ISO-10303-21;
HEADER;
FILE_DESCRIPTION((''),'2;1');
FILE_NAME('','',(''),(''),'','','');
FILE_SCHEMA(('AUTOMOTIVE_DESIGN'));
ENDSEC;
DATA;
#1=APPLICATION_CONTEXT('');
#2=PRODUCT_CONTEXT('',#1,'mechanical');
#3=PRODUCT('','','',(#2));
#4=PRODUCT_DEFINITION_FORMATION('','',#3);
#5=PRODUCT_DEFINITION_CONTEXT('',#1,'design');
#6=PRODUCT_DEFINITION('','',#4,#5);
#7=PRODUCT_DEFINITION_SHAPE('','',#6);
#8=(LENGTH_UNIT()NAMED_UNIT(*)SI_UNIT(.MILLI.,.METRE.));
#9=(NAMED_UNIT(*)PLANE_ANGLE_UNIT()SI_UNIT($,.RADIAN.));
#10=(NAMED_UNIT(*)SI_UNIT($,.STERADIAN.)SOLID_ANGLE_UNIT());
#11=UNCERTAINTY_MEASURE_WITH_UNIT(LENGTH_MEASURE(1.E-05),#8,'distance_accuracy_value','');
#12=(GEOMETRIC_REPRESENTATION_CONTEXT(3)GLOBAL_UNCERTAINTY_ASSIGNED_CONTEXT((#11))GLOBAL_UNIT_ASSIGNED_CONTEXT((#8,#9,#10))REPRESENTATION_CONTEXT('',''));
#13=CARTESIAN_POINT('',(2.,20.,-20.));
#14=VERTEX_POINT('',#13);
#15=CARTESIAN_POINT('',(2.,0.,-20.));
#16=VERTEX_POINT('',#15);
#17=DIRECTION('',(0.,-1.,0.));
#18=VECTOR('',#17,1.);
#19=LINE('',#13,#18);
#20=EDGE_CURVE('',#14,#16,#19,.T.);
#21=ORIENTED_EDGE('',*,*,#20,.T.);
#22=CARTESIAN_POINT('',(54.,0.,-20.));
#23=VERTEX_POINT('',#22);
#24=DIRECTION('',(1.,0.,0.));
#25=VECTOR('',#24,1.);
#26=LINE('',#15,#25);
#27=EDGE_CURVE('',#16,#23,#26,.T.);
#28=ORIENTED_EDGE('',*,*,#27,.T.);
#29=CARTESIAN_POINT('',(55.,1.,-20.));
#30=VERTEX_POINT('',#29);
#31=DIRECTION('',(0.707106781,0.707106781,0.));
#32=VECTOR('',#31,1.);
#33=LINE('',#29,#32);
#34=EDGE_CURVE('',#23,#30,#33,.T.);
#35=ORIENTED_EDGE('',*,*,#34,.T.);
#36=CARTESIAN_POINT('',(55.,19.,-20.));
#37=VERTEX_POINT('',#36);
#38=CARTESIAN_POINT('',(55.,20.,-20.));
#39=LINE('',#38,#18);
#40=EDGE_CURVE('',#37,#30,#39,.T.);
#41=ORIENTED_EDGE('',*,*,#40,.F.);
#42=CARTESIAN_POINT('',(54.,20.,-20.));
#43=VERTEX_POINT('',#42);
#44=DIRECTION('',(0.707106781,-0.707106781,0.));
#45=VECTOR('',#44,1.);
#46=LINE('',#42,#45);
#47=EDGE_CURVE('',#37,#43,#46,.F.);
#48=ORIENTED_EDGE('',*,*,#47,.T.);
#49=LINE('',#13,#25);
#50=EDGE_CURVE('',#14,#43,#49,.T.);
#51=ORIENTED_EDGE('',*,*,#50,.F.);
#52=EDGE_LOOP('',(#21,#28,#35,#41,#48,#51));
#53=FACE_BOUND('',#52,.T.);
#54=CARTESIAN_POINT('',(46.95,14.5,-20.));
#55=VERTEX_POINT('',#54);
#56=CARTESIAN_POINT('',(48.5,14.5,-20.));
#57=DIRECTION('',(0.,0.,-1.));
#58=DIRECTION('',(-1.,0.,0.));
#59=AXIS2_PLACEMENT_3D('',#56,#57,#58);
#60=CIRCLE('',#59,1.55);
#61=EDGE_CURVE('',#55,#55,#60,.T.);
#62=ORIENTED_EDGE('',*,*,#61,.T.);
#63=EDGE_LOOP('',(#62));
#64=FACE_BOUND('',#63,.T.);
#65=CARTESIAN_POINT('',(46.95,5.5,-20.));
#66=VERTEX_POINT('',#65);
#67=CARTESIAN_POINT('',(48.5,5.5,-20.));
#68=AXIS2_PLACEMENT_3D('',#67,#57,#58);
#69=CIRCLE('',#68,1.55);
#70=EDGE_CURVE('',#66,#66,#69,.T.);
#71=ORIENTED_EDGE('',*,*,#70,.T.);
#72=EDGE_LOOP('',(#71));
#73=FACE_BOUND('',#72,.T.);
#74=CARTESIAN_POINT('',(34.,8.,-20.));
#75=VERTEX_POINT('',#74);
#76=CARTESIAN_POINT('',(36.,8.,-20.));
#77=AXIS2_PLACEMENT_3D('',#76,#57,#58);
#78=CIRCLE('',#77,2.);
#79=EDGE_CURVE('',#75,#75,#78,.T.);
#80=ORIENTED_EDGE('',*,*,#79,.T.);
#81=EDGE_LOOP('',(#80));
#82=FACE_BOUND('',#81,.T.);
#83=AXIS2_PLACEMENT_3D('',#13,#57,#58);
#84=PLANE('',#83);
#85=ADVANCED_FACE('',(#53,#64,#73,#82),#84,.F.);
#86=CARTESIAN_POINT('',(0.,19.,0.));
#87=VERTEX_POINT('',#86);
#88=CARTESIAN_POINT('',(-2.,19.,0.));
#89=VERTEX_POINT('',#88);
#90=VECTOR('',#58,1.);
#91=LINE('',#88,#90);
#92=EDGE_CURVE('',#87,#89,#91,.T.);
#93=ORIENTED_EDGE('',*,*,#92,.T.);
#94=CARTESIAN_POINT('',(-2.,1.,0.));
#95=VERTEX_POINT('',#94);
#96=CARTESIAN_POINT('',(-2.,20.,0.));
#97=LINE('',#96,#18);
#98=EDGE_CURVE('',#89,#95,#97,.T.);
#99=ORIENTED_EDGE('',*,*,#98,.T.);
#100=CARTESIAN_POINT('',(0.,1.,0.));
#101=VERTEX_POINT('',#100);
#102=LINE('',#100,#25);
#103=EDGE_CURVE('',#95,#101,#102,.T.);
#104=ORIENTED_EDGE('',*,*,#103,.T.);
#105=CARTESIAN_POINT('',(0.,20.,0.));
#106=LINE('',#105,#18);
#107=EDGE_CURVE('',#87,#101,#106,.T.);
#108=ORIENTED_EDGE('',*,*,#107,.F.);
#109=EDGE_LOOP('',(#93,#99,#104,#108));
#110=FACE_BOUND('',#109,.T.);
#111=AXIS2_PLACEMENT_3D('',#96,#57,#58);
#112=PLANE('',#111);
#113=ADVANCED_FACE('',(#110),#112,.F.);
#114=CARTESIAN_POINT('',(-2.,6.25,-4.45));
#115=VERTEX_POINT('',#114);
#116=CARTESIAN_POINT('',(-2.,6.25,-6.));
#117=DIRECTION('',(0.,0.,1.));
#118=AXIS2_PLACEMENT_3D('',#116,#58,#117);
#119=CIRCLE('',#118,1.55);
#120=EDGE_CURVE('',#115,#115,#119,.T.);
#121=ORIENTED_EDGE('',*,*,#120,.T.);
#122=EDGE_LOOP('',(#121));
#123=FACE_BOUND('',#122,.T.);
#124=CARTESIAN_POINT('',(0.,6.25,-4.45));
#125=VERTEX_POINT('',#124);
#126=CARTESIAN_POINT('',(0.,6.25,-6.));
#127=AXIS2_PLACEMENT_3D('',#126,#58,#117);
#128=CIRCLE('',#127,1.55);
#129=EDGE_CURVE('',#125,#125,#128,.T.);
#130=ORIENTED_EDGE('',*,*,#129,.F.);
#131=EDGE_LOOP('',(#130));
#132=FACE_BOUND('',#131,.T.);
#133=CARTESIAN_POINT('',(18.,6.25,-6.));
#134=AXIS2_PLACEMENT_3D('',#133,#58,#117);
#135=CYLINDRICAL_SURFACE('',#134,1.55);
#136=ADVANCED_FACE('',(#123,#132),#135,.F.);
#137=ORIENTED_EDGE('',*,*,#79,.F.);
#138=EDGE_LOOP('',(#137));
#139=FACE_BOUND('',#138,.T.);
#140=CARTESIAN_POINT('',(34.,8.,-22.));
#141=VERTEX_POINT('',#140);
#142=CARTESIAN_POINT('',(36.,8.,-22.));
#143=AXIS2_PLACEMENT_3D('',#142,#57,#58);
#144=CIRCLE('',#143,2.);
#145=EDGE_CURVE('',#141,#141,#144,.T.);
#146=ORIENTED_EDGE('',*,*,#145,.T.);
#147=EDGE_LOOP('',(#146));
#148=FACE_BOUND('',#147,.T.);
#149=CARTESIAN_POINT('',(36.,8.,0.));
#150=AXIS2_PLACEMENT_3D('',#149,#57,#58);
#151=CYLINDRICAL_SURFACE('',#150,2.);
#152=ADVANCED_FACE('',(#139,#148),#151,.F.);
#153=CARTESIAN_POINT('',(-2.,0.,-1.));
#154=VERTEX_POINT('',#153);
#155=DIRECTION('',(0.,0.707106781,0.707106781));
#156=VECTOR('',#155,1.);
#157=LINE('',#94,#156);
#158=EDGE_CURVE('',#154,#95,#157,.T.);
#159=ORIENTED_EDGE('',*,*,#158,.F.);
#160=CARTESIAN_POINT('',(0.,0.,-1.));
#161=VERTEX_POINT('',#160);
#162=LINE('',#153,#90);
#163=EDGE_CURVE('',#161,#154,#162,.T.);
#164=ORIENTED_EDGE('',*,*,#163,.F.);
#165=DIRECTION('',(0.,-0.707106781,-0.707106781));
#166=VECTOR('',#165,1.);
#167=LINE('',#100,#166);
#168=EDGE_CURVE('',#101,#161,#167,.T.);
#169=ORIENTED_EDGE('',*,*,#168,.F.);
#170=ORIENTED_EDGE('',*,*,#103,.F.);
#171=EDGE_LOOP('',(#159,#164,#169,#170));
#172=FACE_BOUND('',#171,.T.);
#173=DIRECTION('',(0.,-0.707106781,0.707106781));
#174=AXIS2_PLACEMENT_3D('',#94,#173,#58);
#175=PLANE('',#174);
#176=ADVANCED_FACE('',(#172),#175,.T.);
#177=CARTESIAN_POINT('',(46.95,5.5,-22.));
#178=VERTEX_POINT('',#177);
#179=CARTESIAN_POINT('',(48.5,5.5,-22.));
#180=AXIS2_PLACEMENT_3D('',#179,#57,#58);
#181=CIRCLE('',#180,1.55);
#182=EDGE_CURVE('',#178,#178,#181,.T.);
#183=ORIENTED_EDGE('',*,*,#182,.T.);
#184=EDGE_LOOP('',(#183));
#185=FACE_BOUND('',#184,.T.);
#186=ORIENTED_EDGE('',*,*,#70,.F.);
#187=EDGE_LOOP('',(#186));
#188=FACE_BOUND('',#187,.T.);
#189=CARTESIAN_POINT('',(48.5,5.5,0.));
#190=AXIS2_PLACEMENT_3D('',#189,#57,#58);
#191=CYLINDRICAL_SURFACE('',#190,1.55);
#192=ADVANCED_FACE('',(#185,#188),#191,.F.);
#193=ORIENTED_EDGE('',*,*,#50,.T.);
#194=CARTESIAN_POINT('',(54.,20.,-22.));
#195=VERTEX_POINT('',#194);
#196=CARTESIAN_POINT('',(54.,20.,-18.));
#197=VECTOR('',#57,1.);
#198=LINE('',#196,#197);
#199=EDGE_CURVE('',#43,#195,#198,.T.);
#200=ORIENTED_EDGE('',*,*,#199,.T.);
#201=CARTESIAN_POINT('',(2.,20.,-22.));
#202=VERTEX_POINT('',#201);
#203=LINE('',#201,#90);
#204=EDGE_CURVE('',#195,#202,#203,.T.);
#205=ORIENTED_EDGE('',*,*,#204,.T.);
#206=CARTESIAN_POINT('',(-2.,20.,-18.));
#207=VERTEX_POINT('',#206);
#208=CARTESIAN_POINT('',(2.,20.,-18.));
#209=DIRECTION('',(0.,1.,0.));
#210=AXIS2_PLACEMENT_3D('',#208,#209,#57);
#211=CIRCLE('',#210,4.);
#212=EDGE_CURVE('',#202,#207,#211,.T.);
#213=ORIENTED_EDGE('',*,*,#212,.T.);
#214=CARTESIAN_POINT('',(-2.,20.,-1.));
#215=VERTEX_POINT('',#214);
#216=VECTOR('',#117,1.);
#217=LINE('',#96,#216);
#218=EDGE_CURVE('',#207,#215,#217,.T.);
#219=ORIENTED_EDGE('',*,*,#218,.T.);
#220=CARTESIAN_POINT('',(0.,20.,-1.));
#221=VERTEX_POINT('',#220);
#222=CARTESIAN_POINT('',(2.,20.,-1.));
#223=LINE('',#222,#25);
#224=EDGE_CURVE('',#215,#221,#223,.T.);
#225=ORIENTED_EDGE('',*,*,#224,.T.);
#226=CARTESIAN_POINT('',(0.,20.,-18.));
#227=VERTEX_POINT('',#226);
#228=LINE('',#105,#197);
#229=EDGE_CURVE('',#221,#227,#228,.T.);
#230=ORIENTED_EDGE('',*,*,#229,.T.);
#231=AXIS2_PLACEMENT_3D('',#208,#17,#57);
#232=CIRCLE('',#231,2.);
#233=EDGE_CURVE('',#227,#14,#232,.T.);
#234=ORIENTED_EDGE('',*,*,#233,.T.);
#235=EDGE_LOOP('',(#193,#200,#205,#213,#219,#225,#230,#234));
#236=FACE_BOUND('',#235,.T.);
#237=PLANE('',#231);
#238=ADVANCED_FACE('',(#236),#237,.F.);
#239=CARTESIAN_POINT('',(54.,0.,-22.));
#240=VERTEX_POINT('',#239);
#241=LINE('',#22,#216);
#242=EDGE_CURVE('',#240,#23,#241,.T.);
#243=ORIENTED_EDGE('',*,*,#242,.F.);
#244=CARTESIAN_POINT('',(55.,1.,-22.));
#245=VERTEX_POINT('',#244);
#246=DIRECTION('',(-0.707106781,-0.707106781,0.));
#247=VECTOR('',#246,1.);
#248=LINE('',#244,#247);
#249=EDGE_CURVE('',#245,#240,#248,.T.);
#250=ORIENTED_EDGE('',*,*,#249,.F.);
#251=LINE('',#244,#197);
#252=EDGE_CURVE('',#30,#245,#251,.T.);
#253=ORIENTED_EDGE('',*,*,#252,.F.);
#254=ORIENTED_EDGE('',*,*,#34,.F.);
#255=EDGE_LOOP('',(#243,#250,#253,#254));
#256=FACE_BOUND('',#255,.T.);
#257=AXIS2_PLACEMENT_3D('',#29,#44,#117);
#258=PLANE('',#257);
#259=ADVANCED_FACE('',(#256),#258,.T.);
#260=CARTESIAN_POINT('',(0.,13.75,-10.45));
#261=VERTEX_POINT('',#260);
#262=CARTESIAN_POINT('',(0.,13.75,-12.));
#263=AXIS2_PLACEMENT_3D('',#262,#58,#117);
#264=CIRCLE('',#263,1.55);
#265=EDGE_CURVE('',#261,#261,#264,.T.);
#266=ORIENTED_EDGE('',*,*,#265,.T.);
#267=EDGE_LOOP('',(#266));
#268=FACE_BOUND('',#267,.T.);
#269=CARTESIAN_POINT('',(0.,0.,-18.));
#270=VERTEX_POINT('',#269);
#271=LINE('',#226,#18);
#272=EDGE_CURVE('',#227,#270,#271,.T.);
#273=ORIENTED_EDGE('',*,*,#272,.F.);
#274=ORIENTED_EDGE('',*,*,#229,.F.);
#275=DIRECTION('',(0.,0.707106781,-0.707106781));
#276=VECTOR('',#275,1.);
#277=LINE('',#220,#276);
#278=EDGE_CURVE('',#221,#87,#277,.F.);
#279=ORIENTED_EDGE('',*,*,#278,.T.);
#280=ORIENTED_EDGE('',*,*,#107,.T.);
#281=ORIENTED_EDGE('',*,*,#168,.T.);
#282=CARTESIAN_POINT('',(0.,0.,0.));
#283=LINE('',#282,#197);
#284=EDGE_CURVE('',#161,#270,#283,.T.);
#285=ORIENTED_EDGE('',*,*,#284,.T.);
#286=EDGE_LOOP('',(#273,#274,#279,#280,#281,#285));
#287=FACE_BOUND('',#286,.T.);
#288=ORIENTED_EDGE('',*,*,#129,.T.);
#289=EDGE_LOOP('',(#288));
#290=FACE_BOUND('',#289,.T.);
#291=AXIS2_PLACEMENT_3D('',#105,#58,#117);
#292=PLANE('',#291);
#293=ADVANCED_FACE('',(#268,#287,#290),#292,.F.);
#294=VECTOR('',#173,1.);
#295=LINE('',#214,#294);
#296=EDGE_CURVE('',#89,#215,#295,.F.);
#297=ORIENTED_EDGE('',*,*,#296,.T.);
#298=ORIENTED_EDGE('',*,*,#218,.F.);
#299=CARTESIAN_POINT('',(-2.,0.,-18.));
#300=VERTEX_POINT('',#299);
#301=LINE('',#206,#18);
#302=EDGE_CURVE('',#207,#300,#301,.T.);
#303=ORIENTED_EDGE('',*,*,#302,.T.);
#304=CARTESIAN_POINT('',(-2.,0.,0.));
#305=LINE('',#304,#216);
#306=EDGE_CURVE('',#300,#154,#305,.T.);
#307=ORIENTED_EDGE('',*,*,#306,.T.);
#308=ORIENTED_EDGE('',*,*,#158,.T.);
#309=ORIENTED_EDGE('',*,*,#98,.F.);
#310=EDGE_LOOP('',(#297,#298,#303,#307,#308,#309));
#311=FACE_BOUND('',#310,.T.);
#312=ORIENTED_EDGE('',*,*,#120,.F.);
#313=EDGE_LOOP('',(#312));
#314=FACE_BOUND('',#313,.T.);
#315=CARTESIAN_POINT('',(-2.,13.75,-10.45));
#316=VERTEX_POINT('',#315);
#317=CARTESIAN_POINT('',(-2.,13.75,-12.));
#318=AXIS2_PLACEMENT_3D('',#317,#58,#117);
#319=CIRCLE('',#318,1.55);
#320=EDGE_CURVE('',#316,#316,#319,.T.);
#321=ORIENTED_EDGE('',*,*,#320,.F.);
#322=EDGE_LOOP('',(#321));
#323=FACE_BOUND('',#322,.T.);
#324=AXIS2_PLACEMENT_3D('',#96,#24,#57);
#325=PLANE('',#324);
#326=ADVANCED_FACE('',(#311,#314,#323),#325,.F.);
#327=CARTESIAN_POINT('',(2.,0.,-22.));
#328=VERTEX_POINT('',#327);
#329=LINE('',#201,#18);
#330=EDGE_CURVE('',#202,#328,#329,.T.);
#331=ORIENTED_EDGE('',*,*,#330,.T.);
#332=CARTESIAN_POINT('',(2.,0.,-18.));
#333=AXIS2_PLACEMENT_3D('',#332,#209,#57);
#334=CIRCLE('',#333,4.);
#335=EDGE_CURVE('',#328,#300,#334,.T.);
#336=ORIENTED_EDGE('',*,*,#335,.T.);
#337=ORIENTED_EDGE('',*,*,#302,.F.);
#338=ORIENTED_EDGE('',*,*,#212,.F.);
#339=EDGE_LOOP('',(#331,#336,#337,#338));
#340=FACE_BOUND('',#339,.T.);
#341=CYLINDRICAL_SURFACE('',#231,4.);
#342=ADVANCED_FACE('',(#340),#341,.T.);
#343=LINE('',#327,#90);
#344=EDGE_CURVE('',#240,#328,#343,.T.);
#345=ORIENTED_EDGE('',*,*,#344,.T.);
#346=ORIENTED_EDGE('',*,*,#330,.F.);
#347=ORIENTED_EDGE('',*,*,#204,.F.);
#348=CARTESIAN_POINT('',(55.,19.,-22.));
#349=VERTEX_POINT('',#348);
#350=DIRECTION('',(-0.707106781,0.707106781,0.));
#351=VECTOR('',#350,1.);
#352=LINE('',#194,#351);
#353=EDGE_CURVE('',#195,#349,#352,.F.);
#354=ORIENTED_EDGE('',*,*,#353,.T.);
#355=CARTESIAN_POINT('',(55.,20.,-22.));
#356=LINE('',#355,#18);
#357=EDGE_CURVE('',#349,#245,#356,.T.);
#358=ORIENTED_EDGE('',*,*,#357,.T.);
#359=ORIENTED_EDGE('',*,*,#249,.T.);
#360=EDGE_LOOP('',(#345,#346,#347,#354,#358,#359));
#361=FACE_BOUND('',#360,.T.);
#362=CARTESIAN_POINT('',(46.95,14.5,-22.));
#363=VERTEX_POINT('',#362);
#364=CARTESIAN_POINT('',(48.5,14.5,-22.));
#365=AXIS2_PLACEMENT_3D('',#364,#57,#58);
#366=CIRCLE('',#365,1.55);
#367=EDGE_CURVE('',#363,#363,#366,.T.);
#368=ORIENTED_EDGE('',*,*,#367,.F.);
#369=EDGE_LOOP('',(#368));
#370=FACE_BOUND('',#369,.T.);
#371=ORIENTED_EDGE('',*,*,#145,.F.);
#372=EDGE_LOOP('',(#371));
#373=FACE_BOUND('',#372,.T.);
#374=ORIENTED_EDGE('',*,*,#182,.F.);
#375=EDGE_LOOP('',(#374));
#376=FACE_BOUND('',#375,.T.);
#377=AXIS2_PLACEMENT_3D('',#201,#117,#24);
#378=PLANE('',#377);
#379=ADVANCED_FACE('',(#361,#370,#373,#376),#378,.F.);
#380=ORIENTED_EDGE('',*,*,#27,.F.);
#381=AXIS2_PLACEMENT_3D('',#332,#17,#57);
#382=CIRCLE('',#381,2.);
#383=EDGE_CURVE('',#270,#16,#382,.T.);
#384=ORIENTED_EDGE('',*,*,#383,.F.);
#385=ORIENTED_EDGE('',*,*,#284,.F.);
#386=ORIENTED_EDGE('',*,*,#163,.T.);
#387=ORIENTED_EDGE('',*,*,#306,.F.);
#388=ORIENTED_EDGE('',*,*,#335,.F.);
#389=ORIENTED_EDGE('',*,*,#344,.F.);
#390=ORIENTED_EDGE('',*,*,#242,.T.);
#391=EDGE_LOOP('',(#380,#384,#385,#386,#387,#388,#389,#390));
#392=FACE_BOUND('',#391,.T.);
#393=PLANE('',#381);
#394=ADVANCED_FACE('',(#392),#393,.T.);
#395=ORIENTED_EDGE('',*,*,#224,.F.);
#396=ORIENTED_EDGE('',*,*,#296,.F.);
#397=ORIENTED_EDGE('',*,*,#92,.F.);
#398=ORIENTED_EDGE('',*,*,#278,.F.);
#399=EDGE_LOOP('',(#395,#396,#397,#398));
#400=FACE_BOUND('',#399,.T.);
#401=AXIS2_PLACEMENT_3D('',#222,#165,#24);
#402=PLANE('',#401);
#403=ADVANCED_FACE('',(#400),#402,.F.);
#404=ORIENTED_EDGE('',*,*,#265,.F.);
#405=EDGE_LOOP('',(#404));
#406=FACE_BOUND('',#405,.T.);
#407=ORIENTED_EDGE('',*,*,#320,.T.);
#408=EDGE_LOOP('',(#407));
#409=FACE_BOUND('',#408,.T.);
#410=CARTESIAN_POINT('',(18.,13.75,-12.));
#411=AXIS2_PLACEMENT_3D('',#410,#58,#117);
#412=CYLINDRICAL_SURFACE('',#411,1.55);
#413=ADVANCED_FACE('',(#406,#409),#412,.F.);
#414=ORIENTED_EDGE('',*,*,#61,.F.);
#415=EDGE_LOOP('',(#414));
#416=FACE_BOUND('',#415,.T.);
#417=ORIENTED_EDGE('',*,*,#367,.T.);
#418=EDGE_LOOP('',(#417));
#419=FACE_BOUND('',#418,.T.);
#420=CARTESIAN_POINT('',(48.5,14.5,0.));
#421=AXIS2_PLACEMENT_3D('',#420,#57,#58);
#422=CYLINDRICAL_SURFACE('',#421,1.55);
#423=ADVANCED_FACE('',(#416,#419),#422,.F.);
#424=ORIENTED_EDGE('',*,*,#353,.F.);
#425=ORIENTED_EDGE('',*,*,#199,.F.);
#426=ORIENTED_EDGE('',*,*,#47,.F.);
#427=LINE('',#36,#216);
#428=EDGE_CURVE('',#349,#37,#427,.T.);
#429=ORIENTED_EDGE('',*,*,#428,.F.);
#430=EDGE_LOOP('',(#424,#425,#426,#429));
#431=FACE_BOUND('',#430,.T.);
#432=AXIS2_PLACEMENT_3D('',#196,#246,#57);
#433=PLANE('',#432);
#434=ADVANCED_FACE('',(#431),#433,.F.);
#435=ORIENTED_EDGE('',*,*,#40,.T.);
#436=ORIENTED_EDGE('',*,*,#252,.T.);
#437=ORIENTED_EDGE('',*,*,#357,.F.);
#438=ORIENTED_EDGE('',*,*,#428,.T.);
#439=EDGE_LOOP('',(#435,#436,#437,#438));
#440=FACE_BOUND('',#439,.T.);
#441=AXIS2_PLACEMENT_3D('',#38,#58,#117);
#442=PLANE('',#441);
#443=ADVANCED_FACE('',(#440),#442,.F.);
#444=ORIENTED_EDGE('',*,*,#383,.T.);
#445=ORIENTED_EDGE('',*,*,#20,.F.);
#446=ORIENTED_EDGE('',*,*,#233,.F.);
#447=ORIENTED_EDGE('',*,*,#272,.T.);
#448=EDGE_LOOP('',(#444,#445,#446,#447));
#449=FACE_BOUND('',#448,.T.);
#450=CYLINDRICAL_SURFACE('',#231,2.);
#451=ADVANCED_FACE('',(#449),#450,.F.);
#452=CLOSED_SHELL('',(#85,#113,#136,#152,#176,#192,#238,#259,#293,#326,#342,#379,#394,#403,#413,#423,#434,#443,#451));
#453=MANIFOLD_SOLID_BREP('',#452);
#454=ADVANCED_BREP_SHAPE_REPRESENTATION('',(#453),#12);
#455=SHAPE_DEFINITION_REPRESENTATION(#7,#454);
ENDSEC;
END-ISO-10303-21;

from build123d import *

# Parameters (mm, degrees)
BASE_DEPTH           = 20
SKETCH2_R            = 1.55
GUIDESIDEHOLES_DEPTH = 20
SKETCH3_R            = 1.55
FOOTSIDEHOLES_DEPTH  = 63.521996129
CHAMFER1_SIZE        = 1
SKETCH4_R            = 2
CABLETIEHOLE_DEPTH   = 63.521996129


with BuildPart() as part:
    # Sketch1 → Base (new body)
    with BuildSketch(Plane(origin=(0, 0, 0), x_dir=(1, 0, 0), z_dir=(0, 1, 0))):
        with BuildLine():
            Line((0, 0), (0, 18))
            ThreePointArc((0, 18), (0.585786438, 19.414213562), (2, 20))
            Line((2, 20), (55, 20))
            Line((55, 20), (55, 22))
            Line((55, 22), (2, 22))
            ThreePointArc((2, 22), (-0.828427125, 20.828427125), (-2, 18))
            Line((-2, 18), (-2, 0))
            Line((-2, 0), (0, 0))
        make_face()
    extrude(amount=BASE_DEPTH)

    # Sketch2 → GuideSideHoles (cut)
    with BuildSketch(Plane.ZY.offset(2)):
        with Locations((-12, 13.75)):
            Circle(SKETCH2_R)
        with Locations((-6, 6.25)):
            Circle(SKETCH2_R)
    extrude(amount=-GUIDESIDEHOLES_DEPTH, mode=Mode.SUBTRACT)

    # Sketch3 → FootSideHoles (cut, through all)
    with BuildSketch(Plane(origin=(0, 0, -22), x_dir=(-1, 0, 0), z_dir=(0, 0, -1))):
        with Locations((-48.5, 14.5)):
            Circle(SKETCH3_R)
        with Locations((-48.5, 5.5)):
            Circle(SKETCH3_R)
    extrude(amount=-FOOTSIDEHOLES_DEPTH, mode=Mode.SUBTRACT)

    # Chamfer1
    chamfer1_edges = [part.edges().sort_by_distance(p)[0] for p in [
        (-1, 0, 0),
        (55, 0, -21),
        (-1, 20, 0),
        (55, 20, -21),
    ]]
    chamfer(chamfer1_edges, length=CHAMFER1_SIZE)

    # Sketch4 → CableTieHole (cut, through all)
    with BuildSketch(Plane(origin=(0, 0, -22), x_dir=(-1, 0, 0), z_dir=(0, 0, -1))):
        with Locations((-36, 8)):
            Circle(SKETCH4_R)
    extrude(amount=-CABLETIEHOLE_DEPTH, mode=Mode.SUBTRACT)


solid = part.part
